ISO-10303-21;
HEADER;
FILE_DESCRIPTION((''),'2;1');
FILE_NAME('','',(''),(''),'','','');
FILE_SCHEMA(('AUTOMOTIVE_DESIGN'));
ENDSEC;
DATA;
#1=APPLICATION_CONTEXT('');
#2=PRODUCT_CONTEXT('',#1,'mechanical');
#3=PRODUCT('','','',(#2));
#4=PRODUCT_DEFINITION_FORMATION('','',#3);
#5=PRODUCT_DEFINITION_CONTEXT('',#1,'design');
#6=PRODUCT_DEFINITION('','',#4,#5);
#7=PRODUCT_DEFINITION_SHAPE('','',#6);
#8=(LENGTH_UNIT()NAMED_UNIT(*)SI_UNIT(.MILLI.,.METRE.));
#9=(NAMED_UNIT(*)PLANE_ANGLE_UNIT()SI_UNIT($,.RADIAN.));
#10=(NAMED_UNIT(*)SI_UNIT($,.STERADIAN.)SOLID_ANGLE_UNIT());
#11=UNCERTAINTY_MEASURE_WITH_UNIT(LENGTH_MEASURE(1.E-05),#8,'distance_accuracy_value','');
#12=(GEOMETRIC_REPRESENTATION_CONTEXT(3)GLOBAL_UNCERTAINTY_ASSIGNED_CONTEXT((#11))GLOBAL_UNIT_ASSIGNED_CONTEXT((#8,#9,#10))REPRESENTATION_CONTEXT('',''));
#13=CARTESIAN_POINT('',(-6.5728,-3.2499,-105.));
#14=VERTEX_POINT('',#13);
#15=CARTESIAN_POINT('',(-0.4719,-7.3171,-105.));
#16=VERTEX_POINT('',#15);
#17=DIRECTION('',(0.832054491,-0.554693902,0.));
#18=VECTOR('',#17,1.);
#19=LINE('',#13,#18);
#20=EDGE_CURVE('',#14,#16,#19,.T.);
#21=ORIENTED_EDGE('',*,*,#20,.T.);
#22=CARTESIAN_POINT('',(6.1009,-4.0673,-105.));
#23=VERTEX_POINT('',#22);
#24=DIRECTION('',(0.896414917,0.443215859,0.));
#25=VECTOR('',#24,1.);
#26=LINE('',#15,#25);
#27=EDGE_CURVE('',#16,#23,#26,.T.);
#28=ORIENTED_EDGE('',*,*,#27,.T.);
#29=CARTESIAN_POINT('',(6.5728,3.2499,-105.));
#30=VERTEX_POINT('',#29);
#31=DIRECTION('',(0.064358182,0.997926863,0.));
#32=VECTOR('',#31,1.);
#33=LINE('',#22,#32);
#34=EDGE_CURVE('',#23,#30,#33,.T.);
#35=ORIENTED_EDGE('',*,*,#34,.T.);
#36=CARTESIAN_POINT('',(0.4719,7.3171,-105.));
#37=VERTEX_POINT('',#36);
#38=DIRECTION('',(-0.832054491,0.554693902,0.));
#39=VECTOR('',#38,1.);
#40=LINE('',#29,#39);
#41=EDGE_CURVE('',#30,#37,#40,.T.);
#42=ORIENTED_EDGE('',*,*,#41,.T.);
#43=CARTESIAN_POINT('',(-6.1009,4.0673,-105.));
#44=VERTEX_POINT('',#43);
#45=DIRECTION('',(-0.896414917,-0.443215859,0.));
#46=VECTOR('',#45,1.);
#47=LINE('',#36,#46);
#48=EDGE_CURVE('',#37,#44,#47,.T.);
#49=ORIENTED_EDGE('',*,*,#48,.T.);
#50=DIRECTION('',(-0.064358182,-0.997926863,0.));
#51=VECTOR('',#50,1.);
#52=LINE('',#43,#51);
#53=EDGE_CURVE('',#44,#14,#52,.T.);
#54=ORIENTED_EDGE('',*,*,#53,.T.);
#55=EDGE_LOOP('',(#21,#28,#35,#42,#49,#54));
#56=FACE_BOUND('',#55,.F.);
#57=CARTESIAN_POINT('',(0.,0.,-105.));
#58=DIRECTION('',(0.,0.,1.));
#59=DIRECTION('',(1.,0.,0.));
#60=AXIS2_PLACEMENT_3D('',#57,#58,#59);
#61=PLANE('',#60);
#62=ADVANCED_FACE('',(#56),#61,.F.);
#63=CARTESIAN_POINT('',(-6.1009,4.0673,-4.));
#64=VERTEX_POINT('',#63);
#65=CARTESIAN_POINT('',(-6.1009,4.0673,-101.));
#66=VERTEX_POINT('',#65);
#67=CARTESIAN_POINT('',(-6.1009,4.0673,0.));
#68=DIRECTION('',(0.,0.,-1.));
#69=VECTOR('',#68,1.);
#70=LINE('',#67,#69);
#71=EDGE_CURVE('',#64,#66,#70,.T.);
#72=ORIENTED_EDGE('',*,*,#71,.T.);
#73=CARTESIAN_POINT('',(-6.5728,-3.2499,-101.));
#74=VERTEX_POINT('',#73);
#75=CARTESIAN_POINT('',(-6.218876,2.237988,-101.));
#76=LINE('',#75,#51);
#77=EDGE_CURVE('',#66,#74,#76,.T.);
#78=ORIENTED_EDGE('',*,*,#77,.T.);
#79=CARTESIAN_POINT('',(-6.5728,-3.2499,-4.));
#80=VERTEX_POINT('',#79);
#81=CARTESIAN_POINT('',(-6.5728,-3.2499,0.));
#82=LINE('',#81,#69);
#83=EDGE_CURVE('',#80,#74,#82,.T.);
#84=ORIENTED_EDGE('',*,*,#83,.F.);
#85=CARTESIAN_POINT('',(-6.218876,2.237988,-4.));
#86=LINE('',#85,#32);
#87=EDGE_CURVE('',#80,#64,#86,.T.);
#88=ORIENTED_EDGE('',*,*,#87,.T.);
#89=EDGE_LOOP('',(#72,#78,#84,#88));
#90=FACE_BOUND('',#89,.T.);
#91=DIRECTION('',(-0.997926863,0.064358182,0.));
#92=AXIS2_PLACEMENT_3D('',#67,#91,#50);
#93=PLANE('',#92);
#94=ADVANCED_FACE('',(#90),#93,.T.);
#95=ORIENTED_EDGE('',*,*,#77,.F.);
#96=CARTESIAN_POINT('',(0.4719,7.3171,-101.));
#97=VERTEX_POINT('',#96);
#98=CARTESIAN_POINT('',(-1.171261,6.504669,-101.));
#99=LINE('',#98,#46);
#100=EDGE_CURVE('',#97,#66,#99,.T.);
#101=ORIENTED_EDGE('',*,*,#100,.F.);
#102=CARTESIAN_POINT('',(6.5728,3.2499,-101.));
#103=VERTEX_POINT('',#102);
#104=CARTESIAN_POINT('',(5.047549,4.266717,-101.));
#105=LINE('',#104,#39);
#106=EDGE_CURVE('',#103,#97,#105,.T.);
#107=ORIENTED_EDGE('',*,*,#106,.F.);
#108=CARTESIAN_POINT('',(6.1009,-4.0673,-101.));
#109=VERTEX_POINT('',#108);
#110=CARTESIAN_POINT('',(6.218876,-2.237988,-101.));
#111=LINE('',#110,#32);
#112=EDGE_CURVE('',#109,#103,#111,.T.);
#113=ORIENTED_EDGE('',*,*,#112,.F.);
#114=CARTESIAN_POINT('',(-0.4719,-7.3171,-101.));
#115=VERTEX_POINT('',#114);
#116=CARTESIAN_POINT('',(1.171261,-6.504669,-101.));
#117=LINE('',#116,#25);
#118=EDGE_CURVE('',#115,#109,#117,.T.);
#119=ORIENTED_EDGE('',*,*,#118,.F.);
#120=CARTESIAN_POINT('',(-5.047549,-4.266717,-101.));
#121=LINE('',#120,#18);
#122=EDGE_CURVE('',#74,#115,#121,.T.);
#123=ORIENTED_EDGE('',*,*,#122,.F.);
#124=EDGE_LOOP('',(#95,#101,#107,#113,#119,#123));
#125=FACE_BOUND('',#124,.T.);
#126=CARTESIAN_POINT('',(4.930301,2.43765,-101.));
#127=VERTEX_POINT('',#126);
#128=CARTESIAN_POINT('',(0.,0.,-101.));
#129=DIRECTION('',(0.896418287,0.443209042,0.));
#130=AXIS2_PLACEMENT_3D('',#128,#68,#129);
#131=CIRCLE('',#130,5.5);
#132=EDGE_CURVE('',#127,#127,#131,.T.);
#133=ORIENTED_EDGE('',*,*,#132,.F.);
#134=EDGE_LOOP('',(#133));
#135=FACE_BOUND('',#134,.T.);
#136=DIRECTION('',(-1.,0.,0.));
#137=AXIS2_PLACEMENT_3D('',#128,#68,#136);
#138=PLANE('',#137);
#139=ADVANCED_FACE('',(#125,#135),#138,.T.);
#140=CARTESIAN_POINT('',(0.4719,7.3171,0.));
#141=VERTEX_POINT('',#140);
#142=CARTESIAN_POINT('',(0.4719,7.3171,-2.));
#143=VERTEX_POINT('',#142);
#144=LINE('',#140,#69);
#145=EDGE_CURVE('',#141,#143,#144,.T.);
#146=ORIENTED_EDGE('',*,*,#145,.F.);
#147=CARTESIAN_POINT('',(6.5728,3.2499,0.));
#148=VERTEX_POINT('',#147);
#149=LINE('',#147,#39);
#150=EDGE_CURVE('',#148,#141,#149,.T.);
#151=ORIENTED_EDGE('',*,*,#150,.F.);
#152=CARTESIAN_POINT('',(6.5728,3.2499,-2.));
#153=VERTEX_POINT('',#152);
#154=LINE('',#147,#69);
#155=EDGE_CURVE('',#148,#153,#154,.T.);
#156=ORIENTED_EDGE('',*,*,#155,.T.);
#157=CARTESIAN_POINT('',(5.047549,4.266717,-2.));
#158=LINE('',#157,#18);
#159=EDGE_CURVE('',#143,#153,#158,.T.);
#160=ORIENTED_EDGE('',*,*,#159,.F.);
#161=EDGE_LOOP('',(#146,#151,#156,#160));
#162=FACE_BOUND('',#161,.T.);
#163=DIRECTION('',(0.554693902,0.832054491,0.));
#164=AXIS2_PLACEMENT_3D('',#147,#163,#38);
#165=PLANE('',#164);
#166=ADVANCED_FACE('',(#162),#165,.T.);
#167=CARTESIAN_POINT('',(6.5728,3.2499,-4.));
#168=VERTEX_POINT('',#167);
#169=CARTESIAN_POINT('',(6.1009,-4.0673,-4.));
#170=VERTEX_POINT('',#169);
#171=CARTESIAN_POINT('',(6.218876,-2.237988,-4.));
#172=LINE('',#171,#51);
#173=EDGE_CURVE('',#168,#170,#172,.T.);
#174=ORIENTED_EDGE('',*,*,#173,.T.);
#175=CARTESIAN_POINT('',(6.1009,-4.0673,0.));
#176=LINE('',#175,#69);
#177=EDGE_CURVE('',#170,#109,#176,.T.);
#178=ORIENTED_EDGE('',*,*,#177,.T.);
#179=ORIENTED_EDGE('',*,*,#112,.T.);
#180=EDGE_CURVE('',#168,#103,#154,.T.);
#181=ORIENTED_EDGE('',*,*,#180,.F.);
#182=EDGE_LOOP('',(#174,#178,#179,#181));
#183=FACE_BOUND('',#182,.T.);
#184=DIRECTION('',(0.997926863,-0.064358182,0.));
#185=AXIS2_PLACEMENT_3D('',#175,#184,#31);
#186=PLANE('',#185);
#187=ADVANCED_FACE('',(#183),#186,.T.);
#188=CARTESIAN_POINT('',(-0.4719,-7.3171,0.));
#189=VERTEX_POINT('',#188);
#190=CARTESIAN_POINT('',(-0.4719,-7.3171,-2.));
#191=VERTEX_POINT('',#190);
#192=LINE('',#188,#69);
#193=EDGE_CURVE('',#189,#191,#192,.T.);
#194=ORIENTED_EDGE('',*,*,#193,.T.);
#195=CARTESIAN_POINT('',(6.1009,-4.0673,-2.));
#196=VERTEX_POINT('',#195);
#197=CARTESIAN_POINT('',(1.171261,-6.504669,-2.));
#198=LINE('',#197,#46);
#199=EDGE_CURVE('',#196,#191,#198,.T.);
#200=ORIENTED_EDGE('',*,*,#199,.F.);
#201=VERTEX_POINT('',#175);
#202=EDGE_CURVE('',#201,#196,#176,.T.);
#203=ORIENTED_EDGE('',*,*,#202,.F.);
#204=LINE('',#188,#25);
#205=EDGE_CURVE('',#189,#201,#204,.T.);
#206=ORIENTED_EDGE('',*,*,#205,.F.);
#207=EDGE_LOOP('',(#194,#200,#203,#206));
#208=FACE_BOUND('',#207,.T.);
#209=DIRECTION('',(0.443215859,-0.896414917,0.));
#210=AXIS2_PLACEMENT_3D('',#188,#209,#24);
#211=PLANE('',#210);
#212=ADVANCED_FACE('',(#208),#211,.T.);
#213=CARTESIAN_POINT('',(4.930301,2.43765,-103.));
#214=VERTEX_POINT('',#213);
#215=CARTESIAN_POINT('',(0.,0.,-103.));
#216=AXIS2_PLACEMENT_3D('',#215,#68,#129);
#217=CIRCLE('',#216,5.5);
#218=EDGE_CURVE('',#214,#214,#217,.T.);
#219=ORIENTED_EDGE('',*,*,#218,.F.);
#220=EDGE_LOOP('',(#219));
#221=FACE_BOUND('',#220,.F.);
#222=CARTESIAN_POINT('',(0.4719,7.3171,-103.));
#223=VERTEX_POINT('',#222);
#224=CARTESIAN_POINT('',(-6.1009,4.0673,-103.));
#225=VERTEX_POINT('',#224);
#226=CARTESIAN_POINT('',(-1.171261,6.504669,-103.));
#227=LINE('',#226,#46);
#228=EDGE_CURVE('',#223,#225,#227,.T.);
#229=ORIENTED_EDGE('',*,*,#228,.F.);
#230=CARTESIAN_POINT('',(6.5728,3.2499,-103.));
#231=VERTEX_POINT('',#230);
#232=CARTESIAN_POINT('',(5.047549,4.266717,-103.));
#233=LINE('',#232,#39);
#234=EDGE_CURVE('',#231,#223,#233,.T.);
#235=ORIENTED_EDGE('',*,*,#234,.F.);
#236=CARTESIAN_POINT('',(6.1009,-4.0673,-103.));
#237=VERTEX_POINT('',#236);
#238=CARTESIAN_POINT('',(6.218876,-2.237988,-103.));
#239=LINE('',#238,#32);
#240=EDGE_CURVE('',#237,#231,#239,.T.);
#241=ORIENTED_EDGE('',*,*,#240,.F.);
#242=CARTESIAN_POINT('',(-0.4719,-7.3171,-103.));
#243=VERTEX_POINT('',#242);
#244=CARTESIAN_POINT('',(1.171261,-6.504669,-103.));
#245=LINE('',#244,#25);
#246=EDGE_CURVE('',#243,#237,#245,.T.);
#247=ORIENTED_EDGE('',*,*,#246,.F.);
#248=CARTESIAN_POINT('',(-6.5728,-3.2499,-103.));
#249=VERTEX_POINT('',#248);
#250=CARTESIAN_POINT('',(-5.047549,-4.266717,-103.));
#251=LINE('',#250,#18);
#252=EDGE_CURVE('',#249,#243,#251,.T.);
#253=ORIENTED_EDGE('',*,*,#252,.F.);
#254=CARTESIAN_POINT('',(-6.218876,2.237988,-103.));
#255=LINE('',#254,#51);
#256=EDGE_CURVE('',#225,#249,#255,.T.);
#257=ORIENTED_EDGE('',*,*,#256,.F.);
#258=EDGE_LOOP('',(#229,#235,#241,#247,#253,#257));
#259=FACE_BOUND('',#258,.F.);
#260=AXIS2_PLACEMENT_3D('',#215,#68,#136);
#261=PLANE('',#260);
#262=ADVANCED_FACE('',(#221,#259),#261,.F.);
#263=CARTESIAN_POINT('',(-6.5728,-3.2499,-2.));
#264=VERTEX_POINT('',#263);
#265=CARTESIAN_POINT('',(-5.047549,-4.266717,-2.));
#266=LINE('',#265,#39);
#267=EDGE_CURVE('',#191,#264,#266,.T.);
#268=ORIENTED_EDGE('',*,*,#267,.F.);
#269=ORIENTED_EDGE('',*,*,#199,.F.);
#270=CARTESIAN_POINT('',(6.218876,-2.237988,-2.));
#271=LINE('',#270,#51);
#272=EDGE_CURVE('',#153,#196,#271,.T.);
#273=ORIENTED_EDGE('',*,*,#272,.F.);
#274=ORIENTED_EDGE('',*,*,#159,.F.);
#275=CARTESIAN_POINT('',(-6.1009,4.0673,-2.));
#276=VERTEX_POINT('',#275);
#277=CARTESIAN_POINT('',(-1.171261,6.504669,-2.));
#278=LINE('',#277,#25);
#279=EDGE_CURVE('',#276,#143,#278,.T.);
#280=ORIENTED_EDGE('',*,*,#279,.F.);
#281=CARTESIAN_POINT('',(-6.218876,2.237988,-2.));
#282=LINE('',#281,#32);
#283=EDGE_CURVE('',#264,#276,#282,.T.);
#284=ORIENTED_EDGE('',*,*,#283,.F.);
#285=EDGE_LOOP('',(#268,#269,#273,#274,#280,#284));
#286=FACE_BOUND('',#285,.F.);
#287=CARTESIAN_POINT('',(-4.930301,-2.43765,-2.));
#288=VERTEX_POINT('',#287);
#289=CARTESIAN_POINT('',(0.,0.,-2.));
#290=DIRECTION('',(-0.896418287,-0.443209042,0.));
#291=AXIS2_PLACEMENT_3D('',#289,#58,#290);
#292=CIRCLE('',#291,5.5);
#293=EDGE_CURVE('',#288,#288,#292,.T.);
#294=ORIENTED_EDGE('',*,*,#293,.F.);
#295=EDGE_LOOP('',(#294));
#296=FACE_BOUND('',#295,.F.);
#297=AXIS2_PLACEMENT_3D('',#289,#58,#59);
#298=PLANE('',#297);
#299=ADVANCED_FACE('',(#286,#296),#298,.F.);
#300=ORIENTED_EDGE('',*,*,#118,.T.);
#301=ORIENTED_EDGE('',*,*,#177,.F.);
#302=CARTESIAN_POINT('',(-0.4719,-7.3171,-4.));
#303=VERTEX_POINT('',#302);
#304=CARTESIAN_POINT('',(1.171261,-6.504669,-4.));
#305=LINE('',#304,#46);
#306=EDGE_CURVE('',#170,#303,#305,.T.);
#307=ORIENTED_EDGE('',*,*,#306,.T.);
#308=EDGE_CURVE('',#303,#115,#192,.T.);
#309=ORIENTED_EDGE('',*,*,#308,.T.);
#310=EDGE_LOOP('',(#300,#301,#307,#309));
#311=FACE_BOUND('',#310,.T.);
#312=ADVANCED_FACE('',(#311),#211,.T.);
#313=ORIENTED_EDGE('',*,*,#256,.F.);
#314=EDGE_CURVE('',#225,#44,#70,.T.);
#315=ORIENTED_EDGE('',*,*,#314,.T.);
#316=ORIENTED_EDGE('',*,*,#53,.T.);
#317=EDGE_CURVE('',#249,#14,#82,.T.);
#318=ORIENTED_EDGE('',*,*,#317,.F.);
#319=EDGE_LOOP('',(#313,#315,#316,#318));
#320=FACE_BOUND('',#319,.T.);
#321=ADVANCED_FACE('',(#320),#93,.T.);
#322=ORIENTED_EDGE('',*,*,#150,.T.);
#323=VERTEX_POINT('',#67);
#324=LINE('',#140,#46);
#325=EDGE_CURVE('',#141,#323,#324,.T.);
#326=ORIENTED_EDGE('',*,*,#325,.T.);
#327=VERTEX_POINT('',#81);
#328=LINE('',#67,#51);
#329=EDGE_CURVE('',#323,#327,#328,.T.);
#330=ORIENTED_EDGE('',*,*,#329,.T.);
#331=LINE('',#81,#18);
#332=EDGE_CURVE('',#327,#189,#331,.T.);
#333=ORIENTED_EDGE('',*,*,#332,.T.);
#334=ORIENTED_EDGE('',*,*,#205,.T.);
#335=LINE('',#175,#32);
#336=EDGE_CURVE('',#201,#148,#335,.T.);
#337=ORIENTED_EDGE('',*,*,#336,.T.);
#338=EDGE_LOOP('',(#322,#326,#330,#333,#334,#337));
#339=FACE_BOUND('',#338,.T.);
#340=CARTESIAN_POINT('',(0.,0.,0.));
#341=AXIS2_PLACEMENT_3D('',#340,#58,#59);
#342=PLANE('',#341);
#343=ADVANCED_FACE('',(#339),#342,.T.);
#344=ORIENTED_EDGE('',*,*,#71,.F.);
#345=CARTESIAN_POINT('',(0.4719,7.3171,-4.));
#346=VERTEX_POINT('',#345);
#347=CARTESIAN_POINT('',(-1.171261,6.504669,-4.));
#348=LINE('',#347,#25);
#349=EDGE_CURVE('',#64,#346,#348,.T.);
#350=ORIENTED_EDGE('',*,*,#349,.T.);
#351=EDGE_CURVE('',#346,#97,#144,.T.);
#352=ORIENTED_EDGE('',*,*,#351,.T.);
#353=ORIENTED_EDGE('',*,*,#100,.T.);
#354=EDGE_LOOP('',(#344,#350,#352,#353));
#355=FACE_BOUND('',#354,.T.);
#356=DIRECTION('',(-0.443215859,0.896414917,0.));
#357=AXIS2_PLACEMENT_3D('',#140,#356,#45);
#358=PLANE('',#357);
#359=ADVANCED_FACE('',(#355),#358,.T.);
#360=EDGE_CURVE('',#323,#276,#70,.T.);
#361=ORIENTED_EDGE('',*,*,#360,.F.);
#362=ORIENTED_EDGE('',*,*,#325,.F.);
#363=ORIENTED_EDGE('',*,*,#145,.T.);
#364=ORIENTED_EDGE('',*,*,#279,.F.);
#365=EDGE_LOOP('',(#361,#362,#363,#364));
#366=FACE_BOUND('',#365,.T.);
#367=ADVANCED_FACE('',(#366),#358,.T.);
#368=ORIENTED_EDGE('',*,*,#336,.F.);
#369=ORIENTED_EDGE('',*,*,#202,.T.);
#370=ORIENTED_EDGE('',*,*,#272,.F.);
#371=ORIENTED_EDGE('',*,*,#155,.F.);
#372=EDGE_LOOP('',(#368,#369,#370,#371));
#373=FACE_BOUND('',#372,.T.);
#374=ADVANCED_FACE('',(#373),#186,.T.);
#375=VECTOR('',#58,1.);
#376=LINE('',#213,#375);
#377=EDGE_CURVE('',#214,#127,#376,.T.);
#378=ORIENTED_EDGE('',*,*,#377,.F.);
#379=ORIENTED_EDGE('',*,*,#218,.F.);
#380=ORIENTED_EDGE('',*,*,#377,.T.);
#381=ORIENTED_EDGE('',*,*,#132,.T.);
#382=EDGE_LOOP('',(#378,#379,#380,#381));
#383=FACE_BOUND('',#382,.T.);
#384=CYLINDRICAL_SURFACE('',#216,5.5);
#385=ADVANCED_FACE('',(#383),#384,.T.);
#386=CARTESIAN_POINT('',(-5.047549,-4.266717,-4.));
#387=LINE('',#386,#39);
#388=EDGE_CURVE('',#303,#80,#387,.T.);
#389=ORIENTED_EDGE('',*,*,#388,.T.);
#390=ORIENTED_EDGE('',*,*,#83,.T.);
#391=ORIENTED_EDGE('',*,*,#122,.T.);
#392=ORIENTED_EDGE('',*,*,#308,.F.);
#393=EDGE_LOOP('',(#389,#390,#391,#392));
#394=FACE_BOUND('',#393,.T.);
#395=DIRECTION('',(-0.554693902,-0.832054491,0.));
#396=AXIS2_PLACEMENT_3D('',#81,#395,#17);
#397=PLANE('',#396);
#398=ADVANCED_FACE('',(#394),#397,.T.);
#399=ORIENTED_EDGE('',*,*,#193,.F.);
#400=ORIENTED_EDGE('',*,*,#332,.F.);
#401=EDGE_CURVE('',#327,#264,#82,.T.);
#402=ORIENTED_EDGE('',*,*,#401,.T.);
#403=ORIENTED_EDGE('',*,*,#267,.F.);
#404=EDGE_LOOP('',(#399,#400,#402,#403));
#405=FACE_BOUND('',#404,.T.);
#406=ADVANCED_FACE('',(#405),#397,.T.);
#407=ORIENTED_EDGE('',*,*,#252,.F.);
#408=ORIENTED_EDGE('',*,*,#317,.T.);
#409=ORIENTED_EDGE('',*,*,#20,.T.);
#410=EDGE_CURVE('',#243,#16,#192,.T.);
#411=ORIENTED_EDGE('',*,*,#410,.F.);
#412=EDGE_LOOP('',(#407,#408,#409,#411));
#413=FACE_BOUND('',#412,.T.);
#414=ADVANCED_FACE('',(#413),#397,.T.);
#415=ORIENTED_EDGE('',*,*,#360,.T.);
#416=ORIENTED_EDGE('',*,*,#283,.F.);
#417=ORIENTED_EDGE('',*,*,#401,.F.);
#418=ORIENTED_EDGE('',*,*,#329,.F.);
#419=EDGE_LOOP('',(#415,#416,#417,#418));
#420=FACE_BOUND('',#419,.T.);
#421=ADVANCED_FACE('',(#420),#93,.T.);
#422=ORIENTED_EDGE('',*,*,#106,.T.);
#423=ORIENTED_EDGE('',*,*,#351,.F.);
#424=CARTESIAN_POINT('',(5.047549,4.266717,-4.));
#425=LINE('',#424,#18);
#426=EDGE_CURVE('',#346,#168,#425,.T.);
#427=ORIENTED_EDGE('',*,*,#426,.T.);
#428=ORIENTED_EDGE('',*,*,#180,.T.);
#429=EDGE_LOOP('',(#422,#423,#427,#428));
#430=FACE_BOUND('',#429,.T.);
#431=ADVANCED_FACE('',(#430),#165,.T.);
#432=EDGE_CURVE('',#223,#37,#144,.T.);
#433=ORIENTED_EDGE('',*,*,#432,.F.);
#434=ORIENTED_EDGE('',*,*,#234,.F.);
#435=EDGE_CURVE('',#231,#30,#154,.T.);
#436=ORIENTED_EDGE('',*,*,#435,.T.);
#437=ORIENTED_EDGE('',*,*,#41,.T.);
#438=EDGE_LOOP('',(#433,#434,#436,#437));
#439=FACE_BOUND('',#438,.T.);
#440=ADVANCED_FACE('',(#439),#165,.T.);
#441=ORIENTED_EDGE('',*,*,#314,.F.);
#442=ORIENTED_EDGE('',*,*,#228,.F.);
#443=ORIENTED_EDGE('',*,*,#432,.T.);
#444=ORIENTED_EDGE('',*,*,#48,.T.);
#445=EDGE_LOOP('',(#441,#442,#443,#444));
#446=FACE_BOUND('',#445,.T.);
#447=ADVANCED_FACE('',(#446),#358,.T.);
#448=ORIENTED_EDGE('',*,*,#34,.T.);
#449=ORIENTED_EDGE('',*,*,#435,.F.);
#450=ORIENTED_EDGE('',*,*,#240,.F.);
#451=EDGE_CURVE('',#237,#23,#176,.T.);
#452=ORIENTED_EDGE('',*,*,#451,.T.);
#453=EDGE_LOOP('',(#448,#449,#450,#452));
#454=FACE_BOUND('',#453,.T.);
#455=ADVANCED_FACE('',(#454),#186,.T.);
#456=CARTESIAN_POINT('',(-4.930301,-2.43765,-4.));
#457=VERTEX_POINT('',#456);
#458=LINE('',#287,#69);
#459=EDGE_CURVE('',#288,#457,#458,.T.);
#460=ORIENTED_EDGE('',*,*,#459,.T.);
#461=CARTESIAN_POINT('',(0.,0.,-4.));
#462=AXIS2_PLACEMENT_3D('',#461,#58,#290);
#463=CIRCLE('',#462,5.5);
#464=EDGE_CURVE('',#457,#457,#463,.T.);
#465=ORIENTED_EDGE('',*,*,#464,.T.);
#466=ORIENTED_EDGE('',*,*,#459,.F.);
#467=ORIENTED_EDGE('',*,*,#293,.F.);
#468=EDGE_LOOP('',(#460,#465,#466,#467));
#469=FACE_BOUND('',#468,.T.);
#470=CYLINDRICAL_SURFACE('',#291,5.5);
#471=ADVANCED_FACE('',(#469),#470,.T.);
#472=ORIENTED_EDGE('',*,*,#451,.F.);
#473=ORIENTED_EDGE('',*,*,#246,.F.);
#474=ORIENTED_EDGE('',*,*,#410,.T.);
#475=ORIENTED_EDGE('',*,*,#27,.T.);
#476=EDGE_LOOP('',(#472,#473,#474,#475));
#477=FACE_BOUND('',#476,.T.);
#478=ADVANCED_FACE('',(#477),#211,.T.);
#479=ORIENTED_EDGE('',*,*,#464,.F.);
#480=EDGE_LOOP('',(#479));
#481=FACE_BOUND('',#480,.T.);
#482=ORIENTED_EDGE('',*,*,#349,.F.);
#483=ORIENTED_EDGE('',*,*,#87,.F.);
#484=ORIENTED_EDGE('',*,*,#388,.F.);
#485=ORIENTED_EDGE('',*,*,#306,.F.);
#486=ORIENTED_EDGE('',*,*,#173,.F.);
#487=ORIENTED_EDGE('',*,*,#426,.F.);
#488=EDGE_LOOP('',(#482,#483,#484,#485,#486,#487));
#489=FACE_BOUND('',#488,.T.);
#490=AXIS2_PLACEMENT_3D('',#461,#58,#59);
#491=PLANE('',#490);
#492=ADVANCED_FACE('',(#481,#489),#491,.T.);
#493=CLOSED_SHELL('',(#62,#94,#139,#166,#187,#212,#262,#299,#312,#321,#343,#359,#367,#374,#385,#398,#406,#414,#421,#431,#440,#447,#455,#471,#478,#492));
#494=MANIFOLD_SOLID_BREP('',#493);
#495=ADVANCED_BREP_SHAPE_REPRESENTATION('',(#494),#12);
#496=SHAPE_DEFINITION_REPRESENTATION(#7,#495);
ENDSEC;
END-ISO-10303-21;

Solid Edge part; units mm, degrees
sketch "Sketch1" plane through (0, 0, 0) normal (0, 0, 1) x (1, 0, 0)
  line L0 (-6.1009, 4.0673) -> (-6.5728, -3.2499)
  line L1 (-6.5728, -3.2499) -> (-0.4719, -7.3171)
  line L2 (-0.4719, -7.3171) -> (6.1009, -4.0673)
  line L3 (6.1009, -4.0673) -> (6.5728, 3.2499)
  line L4 (6.5728, 3.2499) -> (0.4719, 7.3171)
  line L5 (0.4719, 7.3171) -> (-6.1009, 4.0673)
extrude "Protrusion1" add sketch "Sketch1" against normal blind 105
sketch "Sketch2" plane through (0, 0, -2) normal (0, 0, 1) x (-0.8964, -0.4432, 0)
  circle A0 centre (0, 0) radius 5.5
  circle A1 centre (0, 0) radius 13.1424
extrude "ExtrudedCutout_1" cut sketch "Sketch2" against normal blind 2
sketch "Sketch3" plane through (0, 0, -103) normal (0, 0, -1) x (0.8964, 0.4432, 0)
  circle A0 centre (0, 0) radius 5.5
  circle A1 centre (0, 0) radius 13.1424
extrude "ExtrudedCutout_2" cut sketch "Sketch3" against normal blind 2
properties part number "BumbleB0505"
